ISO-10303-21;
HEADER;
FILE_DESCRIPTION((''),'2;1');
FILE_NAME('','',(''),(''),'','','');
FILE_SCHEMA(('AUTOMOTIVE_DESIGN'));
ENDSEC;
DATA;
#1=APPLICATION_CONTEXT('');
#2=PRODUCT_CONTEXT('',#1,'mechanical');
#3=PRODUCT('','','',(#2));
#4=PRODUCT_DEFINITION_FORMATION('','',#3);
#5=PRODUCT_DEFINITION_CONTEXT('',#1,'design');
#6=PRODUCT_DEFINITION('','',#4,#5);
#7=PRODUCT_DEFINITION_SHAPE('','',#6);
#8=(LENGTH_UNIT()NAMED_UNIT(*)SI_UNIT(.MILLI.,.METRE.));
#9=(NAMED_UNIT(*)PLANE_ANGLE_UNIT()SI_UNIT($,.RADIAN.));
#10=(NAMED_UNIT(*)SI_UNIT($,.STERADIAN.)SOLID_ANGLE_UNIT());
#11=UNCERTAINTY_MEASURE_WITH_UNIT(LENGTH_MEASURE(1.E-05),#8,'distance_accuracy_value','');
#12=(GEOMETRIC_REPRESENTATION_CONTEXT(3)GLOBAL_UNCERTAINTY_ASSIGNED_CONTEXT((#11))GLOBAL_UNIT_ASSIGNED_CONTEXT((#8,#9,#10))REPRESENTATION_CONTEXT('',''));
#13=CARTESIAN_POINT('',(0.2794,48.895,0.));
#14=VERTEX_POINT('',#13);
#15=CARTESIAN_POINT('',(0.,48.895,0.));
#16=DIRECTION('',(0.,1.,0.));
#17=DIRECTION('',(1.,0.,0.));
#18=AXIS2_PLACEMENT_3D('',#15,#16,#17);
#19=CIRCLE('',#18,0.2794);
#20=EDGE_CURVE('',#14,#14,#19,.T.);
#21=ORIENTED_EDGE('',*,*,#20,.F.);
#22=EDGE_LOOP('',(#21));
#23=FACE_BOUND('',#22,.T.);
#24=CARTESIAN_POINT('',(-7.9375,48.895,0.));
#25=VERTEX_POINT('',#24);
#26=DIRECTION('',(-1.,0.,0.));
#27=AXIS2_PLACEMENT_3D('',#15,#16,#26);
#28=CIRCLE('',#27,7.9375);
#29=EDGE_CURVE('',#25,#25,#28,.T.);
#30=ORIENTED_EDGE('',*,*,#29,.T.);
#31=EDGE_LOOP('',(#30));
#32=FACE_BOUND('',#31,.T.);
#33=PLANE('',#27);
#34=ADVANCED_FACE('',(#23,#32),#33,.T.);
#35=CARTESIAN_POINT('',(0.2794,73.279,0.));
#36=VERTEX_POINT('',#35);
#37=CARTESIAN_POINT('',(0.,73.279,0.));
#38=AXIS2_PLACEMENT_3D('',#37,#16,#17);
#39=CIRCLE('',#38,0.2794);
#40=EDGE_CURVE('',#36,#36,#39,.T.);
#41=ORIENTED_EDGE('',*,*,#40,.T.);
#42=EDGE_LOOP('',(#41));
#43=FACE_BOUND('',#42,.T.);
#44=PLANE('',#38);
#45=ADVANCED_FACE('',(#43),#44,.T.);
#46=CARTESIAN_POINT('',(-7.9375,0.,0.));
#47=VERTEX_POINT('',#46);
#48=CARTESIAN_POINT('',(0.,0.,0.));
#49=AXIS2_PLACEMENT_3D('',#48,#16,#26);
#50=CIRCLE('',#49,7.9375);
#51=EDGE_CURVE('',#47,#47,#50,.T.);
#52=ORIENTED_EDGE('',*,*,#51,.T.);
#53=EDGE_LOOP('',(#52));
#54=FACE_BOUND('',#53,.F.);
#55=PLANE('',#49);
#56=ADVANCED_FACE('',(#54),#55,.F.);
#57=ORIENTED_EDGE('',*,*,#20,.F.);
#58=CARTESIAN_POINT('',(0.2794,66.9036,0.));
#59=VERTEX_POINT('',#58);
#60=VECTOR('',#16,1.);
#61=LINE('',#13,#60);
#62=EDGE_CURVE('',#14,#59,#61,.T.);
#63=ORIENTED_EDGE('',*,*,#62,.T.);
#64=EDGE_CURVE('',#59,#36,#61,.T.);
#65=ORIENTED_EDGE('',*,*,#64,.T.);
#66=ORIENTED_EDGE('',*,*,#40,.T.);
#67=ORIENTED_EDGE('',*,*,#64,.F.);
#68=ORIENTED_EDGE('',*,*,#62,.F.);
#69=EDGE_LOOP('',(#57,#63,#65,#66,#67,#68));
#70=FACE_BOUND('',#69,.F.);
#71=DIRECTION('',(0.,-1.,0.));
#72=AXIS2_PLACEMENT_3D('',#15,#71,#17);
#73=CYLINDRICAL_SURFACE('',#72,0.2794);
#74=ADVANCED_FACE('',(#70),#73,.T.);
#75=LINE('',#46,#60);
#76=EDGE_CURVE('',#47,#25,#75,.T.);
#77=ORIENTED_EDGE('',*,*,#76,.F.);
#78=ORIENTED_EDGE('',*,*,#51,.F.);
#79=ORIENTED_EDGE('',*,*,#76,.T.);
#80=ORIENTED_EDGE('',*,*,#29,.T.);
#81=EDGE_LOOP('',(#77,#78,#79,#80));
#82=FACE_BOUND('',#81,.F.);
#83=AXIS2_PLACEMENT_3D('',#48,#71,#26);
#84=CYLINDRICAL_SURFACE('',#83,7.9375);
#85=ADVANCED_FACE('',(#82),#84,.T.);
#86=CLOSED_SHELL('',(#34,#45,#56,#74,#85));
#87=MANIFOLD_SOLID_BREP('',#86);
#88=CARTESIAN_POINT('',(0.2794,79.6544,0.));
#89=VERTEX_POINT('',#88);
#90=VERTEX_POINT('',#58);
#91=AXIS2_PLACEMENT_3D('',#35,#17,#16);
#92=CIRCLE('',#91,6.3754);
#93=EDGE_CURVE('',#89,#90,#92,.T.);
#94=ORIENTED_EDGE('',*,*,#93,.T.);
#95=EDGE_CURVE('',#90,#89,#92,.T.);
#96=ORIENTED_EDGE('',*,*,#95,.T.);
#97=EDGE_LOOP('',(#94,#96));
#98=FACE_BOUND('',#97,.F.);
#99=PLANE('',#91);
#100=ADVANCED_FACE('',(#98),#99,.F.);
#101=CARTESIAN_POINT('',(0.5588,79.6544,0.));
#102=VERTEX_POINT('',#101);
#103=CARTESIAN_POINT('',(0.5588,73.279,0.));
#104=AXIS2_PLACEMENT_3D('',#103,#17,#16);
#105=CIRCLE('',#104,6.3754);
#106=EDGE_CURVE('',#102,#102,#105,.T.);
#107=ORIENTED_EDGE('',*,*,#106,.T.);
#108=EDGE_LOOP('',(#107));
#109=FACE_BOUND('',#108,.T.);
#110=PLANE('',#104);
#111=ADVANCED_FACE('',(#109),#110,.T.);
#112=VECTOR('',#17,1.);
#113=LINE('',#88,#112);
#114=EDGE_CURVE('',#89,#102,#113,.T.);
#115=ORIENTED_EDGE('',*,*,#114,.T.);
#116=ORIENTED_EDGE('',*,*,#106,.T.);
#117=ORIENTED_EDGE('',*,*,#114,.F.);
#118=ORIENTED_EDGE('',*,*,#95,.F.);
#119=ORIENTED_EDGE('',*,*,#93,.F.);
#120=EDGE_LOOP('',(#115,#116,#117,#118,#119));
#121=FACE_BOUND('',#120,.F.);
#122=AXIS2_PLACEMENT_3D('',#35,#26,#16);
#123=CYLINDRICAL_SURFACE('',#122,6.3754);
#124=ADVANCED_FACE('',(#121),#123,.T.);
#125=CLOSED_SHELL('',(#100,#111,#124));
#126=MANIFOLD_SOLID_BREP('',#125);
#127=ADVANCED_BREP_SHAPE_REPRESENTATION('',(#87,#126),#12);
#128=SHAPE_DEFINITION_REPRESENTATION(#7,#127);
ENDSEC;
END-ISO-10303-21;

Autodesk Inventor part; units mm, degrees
ref_plane "YZ Plane" through (0, 0, 0) normal (1, 0, 0) x (0, 1, 0)
ref_plane "XZ Plane" through (0, 0, 0) normal (0, 1, 0) x (-1, 0, 0)
sketch "Sketch1" plane through (0, 0, 0) normal (0, 1, 0) x (-1, 0, 0)
  circle A0 centre (0, 0) radius 7.9375
  dimension "d0" = 15.875
extrude "Extrusion1" add sketch "Sketch1" along normal blind 48.895
sketch "Sketch2" plane through (0, 48.895, 0) normal (0, 1, 0) x (1, 0, 0)
  circle A0 centre (0, 0) radius 0.2794
  dimension "d3" = 0.5588
extrude "Extrusion2" add sketch "Sketch2" along normal blind 24.384
sketch "Sketch3" plane through (0, 73.279, 0) normal (0, 1, 0) x (1, 0, 0)
  circle A0 centre (0, 0) radius 0.2794 projected
  point P0 (0.2794, 0)
ref_plane "Work Plane1" through (0.2794, 73.279, 0) normal (1, 0, 0) x (0, 1, 0)
sketch "Sketch4" plane through (0.2794, 73.279, 0) normal (1, 0, 0) x (0, 1, 0)
  line L0 (0, -0.2794) -> (0, 0.2794) projected
  circle A0 centre (0, 0) radius 6.3754
  point P0 (-73.279, 0)
  dimension "d6" = 12.7508
extrude "Extrusion3" add sketch "Sketch4" along normal blind 0.2794
ref_plane "Work Plane4" through (0, 73.279, 0) normal (0.7071, 0, 0.7071) x (0, -1, 0)
ref_plane "Work Plane3" through (0.5588, 73.279, 0) normal (0.7071, 0, 0.7071) x (0, -1, 0)
properties part number "CRS4kHz"
